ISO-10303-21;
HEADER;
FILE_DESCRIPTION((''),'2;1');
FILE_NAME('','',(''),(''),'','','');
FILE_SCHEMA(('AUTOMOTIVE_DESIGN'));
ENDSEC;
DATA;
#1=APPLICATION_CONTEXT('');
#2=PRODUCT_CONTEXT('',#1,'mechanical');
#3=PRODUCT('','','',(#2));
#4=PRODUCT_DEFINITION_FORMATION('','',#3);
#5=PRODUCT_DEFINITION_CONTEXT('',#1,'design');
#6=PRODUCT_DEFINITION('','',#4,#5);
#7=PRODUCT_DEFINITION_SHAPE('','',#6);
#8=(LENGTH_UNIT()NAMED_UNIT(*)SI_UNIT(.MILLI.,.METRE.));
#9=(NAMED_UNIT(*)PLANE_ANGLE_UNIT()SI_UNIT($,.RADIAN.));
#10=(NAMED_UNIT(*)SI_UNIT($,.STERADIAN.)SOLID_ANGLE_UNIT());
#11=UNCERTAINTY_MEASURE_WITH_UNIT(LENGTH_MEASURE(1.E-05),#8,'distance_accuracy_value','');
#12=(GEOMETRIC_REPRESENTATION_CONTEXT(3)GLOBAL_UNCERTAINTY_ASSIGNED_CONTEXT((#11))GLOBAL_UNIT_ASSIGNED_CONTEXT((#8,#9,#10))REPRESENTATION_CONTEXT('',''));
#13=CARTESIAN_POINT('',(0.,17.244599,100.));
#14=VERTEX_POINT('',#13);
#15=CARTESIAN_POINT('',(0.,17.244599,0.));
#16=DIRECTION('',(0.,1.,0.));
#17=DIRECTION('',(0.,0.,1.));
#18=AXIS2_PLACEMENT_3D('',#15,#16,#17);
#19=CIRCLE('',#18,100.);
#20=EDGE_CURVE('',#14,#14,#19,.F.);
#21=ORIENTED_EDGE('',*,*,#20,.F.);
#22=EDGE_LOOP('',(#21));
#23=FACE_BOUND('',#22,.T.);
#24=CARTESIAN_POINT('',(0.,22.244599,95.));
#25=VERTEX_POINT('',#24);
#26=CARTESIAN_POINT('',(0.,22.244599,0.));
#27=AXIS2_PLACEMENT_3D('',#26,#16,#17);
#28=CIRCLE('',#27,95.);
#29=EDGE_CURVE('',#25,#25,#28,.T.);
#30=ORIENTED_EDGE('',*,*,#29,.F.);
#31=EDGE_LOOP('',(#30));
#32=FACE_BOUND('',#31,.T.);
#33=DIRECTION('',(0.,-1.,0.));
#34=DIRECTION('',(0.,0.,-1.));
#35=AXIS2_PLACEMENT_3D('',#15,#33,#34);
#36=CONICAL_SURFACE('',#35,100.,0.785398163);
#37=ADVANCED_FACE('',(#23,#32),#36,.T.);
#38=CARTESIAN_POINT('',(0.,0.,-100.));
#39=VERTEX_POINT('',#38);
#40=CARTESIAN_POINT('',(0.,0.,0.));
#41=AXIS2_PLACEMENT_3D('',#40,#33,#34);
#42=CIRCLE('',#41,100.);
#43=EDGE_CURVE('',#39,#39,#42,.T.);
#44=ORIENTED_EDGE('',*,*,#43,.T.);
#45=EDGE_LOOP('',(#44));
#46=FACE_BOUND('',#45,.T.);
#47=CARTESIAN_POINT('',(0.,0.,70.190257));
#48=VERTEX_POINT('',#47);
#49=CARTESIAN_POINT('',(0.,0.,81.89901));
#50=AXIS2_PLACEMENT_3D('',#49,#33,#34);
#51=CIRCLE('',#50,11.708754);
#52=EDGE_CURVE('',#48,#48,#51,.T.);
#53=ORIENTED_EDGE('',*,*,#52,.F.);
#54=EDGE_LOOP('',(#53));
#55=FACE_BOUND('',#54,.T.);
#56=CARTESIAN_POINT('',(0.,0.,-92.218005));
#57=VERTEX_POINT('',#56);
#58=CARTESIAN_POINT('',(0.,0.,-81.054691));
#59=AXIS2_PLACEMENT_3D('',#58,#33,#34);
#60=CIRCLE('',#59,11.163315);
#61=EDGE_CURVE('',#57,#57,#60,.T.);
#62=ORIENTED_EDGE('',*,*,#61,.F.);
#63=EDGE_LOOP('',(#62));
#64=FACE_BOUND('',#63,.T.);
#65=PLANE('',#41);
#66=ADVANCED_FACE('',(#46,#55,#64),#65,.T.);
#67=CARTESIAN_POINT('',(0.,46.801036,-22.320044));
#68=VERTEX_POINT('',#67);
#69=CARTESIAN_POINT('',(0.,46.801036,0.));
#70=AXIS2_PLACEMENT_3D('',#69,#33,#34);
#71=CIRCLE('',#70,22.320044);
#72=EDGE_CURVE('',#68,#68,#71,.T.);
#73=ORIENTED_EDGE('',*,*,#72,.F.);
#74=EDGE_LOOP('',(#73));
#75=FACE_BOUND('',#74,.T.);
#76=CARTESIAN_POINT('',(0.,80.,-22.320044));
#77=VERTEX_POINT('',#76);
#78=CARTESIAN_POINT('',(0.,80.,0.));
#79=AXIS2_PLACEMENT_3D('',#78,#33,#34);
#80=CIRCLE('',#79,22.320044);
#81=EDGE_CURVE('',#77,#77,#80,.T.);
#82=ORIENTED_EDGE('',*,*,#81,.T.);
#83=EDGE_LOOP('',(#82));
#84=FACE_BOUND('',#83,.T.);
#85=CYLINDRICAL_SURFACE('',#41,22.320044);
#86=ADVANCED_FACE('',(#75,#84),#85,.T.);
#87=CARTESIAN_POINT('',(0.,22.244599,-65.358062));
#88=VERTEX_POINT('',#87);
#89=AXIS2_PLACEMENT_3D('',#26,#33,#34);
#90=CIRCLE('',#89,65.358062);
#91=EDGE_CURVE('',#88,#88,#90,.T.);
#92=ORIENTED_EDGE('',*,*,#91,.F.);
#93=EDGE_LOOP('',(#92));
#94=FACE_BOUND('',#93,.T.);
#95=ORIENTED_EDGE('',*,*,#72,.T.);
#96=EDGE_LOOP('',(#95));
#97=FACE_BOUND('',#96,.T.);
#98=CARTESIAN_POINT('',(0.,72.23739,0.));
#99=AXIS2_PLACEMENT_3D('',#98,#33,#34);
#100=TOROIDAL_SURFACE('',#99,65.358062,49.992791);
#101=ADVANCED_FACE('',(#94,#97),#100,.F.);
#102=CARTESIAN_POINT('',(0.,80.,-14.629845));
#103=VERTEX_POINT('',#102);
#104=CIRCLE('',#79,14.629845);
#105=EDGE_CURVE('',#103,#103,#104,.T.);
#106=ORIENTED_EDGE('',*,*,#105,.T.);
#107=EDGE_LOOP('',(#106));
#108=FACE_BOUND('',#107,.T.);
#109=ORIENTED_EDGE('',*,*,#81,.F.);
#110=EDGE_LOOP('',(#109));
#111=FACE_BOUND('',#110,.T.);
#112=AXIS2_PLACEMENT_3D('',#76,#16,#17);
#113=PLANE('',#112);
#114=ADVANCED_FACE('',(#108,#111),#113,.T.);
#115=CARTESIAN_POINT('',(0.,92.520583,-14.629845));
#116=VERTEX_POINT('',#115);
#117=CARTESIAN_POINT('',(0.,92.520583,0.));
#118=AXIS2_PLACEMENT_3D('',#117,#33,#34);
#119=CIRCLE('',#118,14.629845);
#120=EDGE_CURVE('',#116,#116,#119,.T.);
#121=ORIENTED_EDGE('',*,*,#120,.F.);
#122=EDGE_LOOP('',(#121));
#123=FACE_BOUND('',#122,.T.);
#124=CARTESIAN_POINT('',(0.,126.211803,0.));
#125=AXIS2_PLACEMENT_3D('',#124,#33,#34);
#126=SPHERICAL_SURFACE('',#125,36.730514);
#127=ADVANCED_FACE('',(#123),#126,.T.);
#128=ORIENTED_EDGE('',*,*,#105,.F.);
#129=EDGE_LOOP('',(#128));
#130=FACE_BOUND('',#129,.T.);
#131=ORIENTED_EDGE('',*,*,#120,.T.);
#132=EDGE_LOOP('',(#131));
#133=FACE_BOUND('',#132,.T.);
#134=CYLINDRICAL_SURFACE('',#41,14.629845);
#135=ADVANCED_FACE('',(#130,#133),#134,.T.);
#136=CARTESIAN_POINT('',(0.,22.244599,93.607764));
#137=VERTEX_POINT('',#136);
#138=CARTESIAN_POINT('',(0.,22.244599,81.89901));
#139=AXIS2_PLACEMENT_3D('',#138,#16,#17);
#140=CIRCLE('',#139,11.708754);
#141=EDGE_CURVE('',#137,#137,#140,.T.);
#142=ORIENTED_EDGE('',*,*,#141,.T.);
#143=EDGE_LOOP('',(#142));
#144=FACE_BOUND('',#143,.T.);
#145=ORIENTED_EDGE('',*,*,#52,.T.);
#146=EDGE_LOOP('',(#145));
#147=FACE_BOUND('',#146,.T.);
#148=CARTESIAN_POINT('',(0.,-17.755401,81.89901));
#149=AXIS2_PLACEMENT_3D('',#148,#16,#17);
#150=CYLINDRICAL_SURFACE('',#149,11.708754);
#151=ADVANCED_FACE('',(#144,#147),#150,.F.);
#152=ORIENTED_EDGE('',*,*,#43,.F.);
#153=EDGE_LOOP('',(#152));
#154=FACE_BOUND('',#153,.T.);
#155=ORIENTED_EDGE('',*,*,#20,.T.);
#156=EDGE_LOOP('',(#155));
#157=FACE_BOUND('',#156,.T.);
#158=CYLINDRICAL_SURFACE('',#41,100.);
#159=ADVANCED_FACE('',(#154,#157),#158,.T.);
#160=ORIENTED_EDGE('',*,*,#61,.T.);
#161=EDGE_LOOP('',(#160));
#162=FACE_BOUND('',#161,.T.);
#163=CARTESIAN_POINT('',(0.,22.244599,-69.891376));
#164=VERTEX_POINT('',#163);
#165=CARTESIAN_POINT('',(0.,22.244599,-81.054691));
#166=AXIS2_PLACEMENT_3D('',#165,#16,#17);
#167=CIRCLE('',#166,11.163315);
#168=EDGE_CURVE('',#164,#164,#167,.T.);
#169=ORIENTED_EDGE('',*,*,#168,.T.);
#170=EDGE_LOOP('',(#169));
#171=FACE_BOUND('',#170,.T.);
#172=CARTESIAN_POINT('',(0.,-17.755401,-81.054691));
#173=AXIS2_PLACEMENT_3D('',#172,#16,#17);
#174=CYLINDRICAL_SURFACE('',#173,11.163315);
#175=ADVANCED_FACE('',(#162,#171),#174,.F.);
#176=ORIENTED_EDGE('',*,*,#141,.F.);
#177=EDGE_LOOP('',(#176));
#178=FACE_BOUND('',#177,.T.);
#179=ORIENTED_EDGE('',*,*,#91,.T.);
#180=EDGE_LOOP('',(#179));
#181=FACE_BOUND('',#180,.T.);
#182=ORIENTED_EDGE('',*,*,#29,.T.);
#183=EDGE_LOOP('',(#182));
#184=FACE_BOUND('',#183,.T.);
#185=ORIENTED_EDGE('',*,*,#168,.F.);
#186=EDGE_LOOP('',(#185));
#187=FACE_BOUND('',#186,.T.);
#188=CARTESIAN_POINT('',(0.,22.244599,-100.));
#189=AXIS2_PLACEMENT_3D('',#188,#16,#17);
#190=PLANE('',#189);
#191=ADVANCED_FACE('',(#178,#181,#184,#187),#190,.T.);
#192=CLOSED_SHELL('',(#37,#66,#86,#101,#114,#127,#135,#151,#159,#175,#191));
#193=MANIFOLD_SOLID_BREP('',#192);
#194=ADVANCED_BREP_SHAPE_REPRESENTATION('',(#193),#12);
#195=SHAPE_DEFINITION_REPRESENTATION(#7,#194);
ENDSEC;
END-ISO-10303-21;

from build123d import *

# Parameters (mm, degrees)
CROQUIS2_R            = 11.708753873
CROQUIS2_R_2          = 11.163314546
CORTAR_EXTRUIR1_DEPTH = 40
CHAFL_N1_SIZE         = 5


with BuildPart() as part:
    # Croquis1 → Revolución1 (revolve)
    with BuildSketch(Plane(origin=(0, 0, 0), x_dir=(0, 0, -1), z_dir=(1, 0, 0))):
        with BuildLine():
            Line((0, 0), (100, 0))
            Line((100, 0), (100, 22.244599069))
            Line((100, 22.244599069), (65.358062391, 22.244599069))
            ThreePointArc((65.358062391, 22.244599069), (40.58262282, 28.815543652), (22.320043888, 46.801035845))
            Line((22.320043888, 46.801035845), (22.320043888, 80))
            Line((22.320043888, 80), (14.629845341, 80))
            Line((14.629845341, 80), (14.629845341, 92.520583479))
            ThreePointArc((14.629845341, 92.520583479), (35.962664377, 133.682908793), (0, 162.942316925))
            Line((0, 162.942316925), (0, 0))
        make_face()
    revolve(axis=Axis((0, 0, 0), (0, 1, 0)))

    # Croquis2 → Cortar-Extruir1 (cut)
    with BuildSketch(Plane(origin=(0, 22.244599069, 0), x_dir=(1, 0, 0), z_dir=(0, 1, 0))):
        with Locations((0, -81.89901044)):
            Circle(CROQUIS2_R)
        with Locations((0, 81.054690745)):
            Circle(CROQUIS2_R_2)
    extrude(amount=-CORTAR_EXTRUIR1_DEPTH, mode=Mode.SUBTRACT)

    # Chaflán1
    chafl_n1_edges = [part.edges().sort_by_distance(p)[0] for p in [
        (0, 22.244599069, 100),
    ]]
    chamfer(chafl_n1_edges, length=CHAFL_N1_SIZE)


solid = part.part
